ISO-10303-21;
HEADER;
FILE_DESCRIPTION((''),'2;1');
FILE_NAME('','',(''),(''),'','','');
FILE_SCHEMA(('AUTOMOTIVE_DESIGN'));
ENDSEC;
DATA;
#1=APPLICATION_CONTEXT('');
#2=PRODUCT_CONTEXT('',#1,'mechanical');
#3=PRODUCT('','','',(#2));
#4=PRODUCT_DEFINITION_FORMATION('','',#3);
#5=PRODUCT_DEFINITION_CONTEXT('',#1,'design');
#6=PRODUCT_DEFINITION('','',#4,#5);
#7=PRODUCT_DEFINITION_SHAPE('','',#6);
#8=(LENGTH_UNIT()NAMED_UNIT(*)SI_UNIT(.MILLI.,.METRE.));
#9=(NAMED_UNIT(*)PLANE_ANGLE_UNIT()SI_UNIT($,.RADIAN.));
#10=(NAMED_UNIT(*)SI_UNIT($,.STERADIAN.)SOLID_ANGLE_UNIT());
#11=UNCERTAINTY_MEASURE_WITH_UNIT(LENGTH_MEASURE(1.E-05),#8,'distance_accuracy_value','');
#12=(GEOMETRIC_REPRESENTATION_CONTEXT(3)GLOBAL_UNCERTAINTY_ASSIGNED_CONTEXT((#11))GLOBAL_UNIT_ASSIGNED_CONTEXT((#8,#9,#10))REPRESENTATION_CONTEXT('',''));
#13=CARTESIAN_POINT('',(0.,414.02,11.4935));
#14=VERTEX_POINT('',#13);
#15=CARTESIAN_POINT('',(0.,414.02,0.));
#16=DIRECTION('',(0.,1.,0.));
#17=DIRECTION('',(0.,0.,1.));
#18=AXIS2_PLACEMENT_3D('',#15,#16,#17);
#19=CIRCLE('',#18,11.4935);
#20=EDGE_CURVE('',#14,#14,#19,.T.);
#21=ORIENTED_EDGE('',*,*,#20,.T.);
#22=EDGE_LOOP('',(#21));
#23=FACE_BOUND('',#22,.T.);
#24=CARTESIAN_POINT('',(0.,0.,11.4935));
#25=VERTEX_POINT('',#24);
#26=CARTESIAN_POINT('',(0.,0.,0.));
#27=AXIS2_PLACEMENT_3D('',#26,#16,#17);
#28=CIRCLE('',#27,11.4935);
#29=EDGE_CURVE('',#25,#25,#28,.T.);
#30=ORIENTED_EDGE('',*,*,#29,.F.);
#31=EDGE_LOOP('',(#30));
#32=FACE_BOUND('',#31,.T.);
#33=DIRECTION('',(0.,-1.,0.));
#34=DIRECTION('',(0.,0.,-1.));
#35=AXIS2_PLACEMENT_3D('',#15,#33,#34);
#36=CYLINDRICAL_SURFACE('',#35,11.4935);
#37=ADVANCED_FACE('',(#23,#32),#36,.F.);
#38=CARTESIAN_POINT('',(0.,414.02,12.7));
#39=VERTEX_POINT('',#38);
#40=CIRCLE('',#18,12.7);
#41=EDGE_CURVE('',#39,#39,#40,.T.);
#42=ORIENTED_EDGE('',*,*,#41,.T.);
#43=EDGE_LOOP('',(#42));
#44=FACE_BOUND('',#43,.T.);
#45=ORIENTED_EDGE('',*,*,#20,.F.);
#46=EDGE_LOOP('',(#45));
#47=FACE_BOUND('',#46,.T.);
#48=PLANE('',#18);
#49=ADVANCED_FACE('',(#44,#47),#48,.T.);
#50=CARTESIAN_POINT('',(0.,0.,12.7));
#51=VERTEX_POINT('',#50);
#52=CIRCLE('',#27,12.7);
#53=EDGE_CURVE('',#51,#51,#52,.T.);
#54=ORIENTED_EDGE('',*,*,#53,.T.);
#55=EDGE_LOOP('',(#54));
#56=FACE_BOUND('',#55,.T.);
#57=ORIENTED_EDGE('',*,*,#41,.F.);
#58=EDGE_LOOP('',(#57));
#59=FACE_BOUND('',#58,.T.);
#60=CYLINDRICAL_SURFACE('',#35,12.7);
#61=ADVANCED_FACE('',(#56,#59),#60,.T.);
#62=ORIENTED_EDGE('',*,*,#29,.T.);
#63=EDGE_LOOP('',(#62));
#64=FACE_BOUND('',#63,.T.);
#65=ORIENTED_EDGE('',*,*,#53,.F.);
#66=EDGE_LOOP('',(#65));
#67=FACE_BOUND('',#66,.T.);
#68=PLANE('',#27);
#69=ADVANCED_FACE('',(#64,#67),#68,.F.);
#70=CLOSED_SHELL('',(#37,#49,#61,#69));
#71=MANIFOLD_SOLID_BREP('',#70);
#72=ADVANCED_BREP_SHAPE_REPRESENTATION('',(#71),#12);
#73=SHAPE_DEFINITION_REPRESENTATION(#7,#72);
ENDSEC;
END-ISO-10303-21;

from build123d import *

# Parameters (mm, degrees)
SKETCH1_R           = 12.7
SKETCH1_R_2         = 11.4935
BOSS_EXTRUDE1_DEPTH = 414.02


with BuildPart() as part:
    # Sketch1 → Boss-Extrude1 (new body)
    with BuildSketch(Plane(origin=(0, 0, 0), x_dir=(1, 0, 0), z_dir=(0, 1, 0))):
        with Locations(Location((0, 0, 0), (0, 0, 270))):
            Circle(SKETCH1_R)
        with Locations(Location((0, 0, 0), (0, 0, 270))):
            Circle(SKETCH1_R_2, mode=Mode.SUBTRACT)
    extrude(amount=BOSS_EXTRUDE1_DEPTH)


solid = part.part
